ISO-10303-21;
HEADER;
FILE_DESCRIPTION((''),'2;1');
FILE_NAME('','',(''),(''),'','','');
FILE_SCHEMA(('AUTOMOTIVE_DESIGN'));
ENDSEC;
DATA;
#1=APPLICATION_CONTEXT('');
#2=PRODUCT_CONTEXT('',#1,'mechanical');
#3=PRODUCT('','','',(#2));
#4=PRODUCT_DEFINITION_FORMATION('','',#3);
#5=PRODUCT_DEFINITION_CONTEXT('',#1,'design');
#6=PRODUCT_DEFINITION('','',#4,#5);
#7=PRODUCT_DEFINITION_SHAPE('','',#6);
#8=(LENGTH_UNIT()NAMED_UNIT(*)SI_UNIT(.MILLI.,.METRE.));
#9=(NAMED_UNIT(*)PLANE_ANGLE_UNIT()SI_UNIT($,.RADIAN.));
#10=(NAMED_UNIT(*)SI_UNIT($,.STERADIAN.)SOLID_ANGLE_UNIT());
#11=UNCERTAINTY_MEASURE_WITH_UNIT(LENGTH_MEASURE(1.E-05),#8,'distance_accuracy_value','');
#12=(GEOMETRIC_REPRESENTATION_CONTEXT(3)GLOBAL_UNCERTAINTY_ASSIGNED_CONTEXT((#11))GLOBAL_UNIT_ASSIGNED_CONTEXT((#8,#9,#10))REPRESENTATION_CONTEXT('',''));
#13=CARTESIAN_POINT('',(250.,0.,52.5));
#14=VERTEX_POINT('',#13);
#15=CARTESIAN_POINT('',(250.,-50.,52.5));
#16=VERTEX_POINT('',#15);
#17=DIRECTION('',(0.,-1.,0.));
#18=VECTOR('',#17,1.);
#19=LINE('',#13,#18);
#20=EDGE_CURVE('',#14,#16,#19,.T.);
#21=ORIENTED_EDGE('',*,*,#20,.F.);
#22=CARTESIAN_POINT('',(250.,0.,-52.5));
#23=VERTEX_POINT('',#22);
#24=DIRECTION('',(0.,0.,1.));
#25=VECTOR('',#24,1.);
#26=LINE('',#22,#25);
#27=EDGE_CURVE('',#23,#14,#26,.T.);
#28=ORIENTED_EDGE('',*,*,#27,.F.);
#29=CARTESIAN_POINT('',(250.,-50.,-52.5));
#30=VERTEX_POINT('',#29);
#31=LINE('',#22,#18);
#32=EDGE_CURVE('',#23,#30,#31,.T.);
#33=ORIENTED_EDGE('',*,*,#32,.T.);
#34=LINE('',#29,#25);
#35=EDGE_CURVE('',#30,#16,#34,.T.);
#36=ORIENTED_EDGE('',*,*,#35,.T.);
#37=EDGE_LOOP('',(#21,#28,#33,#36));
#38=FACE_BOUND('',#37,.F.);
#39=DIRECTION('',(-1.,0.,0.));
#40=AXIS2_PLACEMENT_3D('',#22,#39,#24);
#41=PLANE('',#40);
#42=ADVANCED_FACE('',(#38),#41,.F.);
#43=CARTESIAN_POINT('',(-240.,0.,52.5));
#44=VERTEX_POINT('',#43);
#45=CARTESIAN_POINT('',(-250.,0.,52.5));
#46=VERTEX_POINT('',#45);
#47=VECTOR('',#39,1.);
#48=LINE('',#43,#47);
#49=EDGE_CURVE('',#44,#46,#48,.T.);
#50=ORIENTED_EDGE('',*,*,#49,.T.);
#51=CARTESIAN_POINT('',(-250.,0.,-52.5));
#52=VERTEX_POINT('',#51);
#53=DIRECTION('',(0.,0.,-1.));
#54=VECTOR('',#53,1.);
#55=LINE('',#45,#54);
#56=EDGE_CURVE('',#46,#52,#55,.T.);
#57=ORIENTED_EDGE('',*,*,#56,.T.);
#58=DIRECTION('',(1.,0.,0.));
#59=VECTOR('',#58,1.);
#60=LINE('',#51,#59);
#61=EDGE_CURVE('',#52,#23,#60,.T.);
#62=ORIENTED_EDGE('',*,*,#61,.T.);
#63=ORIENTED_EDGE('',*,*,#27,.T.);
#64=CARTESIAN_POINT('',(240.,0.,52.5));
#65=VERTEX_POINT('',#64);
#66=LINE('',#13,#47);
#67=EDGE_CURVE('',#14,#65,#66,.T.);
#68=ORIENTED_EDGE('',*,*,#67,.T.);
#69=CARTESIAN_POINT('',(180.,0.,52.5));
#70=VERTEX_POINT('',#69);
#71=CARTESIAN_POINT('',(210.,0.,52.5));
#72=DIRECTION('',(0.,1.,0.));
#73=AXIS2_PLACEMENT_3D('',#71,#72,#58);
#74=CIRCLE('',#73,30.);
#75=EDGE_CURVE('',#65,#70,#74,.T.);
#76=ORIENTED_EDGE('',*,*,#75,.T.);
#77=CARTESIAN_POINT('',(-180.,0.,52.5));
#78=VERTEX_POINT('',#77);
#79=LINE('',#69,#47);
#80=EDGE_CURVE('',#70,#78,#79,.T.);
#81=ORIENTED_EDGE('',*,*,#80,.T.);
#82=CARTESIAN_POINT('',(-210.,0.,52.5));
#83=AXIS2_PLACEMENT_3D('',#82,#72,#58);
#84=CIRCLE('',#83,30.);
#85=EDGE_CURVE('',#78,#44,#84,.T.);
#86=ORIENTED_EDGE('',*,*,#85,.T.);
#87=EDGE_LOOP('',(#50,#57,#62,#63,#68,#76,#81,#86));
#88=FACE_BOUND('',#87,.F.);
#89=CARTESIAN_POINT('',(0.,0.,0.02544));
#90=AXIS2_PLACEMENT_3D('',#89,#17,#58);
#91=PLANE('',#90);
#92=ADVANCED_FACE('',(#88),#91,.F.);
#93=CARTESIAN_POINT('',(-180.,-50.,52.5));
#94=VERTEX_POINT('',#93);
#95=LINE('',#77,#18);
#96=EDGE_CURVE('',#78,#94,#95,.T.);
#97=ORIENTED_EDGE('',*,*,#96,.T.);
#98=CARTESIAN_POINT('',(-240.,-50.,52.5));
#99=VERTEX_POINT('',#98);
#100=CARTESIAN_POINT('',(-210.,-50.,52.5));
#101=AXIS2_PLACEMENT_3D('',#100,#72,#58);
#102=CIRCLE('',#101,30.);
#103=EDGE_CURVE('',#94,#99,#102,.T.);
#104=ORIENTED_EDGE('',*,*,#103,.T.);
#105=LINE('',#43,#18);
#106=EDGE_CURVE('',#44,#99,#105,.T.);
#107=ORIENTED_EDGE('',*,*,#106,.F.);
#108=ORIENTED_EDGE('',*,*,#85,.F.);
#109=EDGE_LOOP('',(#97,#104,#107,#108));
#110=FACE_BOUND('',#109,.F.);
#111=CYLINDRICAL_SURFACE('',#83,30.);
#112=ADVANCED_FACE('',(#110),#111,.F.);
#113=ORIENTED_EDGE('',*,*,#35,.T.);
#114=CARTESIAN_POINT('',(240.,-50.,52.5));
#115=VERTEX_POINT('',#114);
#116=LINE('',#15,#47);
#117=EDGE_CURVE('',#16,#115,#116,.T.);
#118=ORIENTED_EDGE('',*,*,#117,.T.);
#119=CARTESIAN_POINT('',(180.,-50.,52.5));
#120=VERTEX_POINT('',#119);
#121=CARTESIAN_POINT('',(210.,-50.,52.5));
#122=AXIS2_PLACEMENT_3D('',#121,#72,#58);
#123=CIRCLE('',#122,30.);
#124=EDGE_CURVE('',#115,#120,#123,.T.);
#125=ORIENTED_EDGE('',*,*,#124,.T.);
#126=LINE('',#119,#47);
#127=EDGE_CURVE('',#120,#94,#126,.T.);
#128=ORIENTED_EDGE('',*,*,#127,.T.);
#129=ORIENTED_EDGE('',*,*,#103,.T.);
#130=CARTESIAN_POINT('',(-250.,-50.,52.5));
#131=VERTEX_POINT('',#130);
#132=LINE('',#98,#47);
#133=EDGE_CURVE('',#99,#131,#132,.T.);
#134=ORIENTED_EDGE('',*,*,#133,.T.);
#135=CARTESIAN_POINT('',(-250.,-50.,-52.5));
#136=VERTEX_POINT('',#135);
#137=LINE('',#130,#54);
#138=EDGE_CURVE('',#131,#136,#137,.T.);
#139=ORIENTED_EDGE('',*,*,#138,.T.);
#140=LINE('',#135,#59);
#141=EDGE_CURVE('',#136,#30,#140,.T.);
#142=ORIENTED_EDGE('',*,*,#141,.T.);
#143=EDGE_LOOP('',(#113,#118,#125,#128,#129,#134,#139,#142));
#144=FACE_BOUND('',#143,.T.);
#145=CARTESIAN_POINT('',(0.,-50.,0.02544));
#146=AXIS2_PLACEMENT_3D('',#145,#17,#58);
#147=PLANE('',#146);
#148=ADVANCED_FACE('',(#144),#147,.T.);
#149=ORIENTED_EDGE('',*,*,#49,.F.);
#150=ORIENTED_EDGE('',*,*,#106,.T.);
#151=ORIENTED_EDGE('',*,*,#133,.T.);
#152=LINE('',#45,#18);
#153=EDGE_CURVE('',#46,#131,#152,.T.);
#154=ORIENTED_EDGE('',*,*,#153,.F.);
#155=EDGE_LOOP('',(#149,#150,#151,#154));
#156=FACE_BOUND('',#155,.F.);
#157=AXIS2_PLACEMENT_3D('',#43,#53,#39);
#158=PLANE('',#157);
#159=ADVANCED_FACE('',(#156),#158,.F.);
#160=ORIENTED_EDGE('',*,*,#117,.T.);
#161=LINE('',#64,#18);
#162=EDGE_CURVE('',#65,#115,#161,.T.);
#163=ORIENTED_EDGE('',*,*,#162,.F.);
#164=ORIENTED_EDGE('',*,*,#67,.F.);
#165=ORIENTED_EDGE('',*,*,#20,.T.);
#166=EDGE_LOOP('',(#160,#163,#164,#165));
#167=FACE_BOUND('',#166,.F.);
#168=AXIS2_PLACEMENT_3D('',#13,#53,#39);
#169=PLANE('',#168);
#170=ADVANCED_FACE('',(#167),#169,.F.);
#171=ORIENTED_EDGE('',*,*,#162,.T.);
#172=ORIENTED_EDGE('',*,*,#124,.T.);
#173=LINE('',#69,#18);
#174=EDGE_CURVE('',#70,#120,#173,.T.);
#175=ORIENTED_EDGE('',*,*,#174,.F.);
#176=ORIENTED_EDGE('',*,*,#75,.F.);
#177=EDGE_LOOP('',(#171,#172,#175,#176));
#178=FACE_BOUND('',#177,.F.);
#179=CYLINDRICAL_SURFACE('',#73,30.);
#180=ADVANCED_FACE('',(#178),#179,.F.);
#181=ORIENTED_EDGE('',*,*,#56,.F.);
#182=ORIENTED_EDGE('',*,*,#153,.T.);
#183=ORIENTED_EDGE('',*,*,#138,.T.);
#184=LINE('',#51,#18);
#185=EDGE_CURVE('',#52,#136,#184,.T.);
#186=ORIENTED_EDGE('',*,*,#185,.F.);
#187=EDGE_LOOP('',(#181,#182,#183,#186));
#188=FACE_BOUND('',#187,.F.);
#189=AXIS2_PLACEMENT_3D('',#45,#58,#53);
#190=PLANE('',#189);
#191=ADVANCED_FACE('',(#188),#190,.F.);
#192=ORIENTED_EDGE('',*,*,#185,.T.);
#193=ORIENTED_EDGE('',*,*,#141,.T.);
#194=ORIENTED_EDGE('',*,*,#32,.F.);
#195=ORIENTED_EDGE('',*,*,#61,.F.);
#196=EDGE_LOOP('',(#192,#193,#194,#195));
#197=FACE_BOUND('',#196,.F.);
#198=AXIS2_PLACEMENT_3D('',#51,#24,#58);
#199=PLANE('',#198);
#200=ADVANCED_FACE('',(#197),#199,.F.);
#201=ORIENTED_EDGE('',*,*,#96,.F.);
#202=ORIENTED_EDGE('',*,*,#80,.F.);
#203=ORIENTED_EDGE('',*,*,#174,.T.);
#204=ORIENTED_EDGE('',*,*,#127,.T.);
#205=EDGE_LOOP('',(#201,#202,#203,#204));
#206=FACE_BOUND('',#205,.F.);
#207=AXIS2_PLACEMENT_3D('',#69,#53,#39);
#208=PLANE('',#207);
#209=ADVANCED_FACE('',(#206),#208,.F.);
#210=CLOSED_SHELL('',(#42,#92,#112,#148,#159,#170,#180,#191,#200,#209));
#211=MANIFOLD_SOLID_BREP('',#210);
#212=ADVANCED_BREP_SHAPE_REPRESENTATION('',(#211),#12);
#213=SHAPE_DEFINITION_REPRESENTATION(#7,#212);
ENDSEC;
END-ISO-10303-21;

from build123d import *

# Parameters (mm, degrees)
F1_DEPTH = 50


with BuildPart() as f1:
    # F0 (on Front) → F1 (new body)
    with BuildSketch(Plane.XZ):
        with BuildLine():
            Line((-240, 52.5), (-250, 52.5))
            Line((-250, 52.5), (-250, -52.5))
            Line((-250, -52.5), (250, -52.5))
            Line((250, -52.5), (250, 52.5))
            Line((250, 52.5), (240, 52.5))
            ThreePointArc((240, 52.5), (210, 22.5), (180, 52.5))
            Line((180, 52.5), (-180, 52.5))
            ThreePointArc((-180, 52.5), (-210, 22.5), (-240, 52.5))
        make_face()
    extrude(amount=F1_DEPTH)


solid = f1.part
